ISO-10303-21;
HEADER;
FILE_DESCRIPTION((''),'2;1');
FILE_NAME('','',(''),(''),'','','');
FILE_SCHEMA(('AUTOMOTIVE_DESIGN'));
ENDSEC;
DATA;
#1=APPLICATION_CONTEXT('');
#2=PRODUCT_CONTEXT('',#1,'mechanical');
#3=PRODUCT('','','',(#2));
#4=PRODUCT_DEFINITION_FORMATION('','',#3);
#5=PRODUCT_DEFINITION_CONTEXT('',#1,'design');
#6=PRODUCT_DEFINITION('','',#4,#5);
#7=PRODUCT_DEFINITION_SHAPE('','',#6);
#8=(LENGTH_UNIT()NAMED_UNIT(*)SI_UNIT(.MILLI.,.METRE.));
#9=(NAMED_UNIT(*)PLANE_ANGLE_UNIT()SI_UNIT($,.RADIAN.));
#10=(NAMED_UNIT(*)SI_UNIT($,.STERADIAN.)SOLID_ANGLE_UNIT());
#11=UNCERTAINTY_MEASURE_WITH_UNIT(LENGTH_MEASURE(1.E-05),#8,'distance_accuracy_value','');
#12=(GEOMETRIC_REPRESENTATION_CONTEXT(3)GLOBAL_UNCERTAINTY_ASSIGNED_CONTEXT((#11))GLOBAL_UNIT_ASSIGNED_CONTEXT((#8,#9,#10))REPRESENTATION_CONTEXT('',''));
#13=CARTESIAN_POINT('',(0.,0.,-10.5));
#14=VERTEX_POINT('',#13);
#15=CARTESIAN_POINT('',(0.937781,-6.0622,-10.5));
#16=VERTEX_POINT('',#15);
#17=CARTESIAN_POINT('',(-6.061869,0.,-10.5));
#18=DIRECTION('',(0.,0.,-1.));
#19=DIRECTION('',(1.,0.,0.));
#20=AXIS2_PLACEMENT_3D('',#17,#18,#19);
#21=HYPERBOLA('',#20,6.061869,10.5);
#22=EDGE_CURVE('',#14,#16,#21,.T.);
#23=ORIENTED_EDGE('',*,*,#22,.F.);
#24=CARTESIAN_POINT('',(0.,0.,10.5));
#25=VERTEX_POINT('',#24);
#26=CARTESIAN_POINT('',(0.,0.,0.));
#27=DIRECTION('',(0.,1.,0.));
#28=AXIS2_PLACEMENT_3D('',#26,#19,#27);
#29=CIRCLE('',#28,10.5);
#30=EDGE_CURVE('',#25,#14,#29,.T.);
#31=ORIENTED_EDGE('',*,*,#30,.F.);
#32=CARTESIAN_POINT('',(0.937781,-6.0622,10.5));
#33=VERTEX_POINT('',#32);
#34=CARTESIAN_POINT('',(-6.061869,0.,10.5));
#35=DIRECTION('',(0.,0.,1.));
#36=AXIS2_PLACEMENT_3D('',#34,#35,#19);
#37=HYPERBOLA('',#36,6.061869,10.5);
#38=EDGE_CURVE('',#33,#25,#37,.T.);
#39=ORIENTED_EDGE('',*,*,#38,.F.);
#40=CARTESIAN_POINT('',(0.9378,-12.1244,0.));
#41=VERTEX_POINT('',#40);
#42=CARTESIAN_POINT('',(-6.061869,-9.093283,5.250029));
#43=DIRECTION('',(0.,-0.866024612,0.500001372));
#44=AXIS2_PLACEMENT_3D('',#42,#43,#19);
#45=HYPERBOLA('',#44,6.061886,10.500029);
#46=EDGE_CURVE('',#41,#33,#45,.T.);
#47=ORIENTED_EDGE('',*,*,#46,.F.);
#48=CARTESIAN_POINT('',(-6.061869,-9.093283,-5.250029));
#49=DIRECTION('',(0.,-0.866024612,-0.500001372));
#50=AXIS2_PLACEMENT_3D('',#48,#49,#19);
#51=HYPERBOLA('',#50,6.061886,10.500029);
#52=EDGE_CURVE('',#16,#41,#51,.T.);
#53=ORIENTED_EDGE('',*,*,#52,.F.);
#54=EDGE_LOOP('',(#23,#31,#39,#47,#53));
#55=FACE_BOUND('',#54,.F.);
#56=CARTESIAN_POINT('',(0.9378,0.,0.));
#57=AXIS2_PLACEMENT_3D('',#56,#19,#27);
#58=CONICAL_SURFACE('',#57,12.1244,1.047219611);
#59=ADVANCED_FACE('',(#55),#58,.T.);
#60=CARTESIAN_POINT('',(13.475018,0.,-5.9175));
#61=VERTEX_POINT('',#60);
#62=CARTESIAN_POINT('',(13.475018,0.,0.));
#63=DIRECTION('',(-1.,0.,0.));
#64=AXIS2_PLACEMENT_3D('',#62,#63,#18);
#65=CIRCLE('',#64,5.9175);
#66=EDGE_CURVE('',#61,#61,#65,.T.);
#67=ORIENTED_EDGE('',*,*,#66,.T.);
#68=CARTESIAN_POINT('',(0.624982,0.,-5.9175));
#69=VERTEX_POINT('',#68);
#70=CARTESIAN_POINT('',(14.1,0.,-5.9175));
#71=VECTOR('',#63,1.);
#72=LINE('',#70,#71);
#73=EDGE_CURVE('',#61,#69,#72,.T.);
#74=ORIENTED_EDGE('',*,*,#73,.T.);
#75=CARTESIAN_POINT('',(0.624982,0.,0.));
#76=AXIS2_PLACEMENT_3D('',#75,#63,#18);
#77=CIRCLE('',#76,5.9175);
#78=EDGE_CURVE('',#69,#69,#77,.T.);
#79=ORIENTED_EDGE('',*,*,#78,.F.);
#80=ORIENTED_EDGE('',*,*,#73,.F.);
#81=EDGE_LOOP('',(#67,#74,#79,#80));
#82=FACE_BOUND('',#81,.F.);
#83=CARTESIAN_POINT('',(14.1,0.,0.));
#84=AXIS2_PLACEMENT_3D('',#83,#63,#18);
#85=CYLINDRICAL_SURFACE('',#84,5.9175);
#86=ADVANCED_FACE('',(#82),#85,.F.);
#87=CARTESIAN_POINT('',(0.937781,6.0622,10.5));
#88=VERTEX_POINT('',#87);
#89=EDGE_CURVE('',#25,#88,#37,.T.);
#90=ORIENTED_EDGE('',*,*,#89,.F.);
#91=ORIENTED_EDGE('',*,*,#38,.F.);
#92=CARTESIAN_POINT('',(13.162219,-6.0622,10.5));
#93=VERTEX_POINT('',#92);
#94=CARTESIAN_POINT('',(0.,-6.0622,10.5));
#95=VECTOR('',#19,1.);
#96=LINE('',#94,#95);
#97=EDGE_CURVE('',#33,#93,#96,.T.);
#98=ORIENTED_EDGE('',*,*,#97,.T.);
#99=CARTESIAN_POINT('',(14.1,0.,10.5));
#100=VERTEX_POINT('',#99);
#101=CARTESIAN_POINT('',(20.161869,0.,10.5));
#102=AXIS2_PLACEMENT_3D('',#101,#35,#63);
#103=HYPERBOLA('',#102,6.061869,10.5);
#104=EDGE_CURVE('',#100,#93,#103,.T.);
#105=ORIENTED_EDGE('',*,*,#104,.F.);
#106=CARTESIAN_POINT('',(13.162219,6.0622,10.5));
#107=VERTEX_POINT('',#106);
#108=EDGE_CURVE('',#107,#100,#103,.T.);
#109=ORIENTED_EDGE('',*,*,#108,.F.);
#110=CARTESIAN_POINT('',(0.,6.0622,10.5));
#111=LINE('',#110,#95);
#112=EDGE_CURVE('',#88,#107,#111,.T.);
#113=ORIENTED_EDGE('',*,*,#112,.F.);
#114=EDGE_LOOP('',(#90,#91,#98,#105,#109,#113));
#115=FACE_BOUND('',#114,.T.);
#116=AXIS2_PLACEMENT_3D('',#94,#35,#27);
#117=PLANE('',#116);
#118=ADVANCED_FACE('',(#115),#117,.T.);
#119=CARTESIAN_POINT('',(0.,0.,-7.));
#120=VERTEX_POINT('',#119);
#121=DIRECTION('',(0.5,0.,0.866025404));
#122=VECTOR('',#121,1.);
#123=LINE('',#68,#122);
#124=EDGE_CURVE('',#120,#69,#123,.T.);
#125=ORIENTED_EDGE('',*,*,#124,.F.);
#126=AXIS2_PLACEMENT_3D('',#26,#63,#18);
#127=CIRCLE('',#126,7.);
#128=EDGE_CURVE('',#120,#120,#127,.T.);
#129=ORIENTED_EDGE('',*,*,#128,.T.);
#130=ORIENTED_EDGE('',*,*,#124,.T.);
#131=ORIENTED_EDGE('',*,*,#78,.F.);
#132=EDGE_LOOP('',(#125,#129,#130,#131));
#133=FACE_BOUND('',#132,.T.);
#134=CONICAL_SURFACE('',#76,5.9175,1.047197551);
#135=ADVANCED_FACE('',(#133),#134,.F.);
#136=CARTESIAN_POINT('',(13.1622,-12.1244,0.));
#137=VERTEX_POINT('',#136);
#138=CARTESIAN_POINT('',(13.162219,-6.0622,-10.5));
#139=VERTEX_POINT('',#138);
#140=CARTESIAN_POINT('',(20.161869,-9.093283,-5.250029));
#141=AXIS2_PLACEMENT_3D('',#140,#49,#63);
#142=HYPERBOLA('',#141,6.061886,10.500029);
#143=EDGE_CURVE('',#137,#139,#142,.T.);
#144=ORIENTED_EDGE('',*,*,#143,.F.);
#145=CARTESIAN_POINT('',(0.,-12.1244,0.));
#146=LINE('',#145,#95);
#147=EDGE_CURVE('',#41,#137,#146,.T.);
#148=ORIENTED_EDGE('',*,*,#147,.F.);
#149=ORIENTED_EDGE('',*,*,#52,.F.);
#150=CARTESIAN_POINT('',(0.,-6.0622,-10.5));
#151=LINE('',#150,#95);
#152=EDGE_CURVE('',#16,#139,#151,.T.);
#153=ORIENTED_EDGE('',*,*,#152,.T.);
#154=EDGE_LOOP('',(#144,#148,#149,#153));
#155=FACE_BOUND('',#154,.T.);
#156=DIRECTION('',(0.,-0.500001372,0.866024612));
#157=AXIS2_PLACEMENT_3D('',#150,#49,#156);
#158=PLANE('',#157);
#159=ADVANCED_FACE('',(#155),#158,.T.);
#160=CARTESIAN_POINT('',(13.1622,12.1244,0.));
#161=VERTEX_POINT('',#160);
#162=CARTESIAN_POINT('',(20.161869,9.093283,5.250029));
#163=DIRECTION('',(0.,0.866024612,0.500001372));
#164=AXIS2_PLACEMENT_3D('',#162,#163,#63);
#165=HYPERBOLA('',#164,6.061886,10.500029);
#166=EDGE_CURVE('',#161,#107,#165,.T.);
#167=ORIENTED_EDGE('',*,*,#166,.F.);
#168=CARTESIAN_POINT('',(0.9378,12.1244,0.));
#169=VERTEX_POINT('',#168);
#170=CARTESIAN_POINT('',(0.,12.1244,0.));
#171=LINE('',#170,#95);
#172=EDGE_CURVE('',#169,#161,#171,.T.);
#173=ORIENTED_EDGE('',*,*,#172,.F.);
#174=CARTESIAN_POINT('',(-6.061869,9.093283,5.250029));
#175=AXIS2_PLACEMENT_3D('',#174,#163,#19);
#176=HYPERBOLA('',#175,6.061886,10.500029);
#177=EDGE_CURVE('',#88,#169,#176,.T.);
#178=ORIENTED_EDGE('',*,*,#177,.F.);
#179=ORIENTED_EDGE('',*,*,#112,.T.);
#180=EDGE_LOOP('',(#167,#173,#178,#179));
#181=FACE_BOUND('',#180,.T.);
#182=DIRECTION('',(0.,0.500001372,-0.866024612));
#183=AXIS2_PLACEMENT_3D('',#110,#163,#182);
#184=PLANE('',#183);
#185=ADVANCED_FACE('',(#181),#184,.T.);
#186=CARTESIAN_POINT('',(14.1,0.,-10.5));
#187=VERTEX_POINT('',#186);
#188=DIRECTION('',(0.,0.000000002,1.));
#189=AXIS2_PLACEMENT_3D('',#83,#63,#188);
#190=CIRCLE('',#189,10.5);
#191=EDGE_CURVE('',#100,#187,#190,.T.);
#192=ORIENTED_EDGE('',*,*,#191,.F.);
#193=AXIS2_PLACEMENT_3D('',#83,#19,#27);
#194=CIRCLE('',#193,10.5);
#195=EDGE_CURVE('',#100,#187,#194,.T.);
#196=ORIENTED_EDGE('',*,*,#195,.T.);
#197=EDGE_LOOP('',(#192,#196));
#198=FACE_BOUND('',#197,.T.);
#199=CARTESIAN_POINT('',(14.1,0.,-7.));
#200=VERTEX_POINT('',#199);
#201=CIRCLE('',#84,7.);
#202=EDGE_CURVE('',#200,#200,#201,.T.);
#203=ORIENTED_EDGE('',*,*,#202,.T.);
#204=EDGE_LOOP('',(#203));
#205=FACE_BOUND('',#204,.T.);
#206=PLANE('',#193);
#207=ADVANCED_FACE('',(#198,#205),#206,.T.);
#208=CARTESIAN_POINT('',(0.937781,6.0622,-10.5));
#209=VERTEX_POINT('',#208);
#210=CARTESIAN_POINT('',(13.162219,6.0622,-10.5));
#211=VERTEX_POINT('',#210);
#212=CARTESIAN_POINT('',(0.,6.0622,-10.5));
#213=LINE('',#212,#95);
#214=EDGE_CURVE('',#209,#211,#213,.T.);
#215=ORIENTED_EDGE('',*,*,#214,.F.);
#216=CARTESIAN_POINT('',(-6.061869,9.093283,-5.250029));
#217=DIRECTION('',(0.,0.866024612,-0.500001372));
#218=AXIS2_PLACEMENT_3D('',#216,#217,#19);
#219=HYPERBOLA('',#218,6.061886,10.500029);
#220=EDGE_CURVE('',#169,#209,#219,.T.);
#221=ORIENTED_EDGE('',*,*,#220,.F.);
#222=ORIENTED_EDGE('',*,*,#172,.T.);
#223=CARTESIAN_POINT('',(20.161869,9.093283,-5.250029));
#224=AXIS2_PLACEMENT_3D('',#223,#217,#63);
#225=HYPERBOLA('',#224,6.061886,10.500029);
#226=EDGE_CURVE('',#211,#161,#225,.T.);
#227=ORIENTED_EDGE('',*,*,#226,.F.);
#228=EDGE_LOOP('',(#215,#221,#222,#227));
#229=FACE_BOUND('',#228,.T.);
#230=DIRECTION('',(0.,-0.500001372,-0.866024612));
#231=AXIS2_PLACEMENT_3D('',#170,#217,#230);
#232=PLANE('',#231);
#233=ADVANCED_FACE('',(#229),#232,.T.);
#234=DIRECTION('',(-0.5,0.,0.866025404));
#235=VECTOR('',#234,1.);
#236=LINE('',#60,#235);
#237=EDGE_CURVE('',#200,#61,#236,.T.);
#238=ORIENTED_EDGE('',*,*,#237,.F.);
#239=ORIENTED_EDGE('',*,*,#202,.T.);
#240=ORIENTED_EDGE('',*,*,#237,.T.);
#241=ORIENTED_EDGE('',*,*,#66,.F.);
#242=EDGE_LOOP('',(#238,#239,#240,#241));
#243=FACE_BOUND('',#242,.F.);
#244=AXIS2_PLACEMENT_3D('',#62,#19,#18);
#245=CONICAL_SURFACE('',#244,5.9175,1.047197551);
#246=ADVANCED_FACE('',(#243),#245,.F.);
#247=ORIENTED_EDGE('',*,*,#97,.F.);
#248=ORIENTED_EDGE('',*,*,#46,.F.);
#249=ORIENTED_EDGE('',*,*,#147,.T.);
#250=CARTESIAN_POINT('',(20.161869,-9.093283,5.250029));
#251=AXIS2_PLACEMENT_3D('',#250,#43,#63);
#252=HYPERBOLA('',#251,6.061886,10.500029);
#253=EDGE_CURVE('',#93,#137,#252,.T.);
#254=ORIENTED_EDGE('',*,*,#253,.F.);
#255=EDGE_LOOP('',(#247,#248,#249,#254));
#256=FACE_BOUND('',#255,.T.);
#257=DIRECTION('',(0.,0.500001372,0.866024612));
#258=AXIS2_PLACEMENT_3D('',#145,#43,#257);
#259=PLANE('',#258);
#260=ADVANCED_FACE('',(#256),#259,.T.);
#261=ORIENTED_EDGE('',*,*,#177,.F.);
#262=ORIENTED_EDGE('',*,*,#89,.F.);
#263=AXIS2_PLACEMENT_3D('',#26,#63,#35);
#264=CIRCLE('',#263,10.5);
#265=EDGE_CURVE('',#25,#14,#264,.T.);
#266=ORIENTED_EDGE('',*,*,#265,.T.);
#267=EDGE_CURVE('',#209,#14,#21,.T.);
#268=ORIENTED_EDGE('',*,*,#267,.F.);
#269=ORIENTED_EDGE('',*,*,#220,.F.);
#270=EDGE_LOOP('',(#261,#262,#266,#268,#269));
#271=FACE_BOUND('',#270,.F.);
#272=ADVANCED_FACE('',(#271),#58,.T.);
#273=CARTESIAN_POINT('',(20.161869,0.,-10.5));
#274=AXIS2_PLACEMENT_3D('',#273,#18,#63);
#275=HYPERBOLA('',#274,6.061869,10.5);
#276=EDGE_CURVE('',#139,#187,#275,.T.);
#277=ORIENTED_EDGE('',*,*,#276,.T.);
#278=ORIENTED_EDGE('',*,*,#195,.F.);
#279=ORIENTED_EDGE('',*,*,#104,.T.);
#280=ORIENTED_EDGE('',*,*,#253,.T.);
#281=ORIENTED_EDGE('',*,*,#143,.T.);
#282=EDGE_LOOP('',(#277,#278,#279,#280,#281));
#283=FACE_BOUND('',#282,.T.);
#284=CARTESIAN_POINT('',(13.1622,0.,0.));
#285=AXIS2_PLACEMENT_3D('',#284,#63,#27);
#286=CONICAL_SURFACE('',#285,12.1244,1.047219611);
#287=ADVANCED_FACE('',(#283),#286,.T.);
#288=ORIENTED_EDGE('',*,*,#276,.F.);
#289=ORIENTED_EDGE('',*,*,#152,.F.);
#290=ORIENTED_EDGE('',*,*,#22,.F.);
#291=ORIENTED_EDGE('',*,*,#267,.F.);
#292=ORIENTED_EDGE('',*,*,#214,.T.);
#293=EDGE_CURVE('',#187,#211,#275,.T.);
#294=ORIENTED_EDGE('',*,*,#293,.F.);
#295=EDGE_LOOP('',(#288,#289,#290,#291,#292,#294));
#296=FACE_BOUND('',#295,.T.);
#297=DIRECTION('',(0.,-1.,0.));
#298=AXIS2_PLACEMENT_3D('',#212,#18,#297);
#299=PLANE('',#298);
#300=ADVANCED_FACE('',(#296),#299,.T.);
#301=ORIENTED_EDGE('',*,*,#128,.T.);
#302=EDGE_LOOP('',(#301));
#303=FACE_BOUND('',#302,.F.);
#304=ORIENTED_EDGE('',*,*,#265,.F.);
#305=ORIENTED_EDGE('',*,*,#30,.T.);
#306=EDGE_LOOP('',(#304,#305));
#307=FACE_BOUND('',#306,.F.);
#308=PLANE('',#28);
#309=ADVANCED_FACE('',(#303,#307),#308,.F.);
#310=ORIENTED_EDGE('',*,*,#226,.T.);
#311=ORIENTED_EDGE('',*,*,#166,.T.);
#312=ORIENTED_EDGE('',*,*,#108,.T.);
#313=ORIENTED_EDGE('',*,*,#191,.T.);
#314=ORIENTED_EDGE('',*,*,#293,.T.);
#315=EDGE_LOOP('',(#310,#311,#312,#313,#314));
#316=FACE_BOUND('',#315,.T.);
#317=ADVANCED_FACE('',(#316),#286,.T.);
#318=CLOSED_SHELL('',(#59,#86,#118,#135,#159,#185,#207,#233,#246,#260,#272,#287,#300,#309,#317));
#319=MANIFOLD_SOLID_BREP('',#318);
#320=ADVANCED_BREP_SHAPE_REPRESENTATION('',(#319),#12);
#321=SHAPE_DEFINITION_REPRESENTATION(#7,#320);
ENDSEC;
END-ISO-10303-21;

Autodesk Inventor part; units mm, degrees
ref_plane "YZ Plane" through (0, 0, 0) normal (1, 0, 0) x (0, 1, 0)
ref_plane "XZ Plane" through (0, 0, 0) normal (0, 1, 0) x (-1, 0, 0)
sketch "Sketch1" plane through (0, 0, 0) normal (1, 0, 0) x (0, 1, 0)
  line L0 (-12.1244, 0) -> (-6.0622, 10.5)
  line L1 (-6.0622, 10.5) -> (6.0622, 10.5)
  line L2 (6.0622, 10.5) -> (12.1244, 0)
  line L3 (12.1244, 0) -> (6.0622, -10.5)
  line L4 (6.0622, -10.5) -> (-6.0622, -10.5)
  line L5 (-6.0622, -10.5) -> (-12.1244, 0)
  point P0 (0, 0)
  point P1 (0, 0)
  dimension "d0" = 24.2487
extrude "Body" add sketch "Sketch1" along normal blind 14.1
sketch "Sketch2" plane through (0, 0, 0) normal (0, 0, 1) x (1, 0, 0)
  line L0 (0, 6.0622) -> (0, 12.1244) projected
  line L1 (0, 12.1244) -> (14.1, 12.1244) projected
  line L2 (14.1, 6.0622) -> (14.1, 12.1244) projected
  line L3 (-2.82, 0) -> (16.92, 0) projected
  line L4 (0.9378, 12.1244) -> (0, 10.5)
  line L5 (13.1622, 12.1244) -> (14.1, 10.5)
  dimension "d3" = 30
  dimension "d4" = 30
  dimension "d5" = 21
  dimension "d6" = 21
revolve "Chamfer1" cut sketch "Sketch2" angle 360 about axis through (-10, 0, 0) along (1, 0, 0)
sketch "Sketch3" plane through (14.1, 0, 0) normal (1, 0, 0) x (0, 0, -1)
  arc A0 (-5.25, -9.0933) -> (5.25, -9.0933) centre (0, 0) ccw projected
hole "Thread" at (14.1, 0, 0) direction (-1, 0, 0) diameter 11.835 end through all thread size "M14x2" class "6H" standard "ISO Metric profile"
chamfer "Chamfer2" distance 1.0825 angle 30 1 edges at (14.1, 0, 5.9175) measured on face at (14.1, 8.9198, -0.2378)
chamfer "Chamfer3" distance 1.0825 angle 30 1 edges at (0, 0, 5.9175) measured on face at (0, 8.9198, -0.2378)
ref_plane "Work Plane1" through (-20.9401, 0, 0) normal (0, -0.866, -0.5) x (1, 0, 0)
equation "\"d0\" = 1.1547 * SW"
equation "\"d1\" = KOH"
equation "\"d8\" = -0.5 * GD1 + 0.5 * NND"
equation "\"d40\" = -0.5 * GD1 + 0.5 * NND"
equation "\"d10\" = -0.5 * GD1 + 0.5 * NND"
equation "\"d41\" = -0.5 * GD1 + 0.5 * NND"
equation "\"d3\" = ANG1"
equation "\"d4\" = ANG2"
equation "\"d5\" = SW0"
equation "\"d6\" = SW01"
equation "\"ANG1\" = 30deg"
equation "\"ANG2\" = 30deg"
equation "\"NND\" = 14"
equation "\"KOH\" = 14.1"
equation "\"SW\" = 21"
equation "\"SW0\" = SW"
equation "\"SW01\" = SW"
equation "\"GUL\" = 0.541266 * PTC"
equation "\"THREADDIA\" = 14"
equation "\"TOA\" = 30deg"
equation "\"PTC\" = 2"
equation "\"E0\" = 1.155 * SW"
equation "\"GAL\" = 0.541266 * PTC"
equation "\"GD1\" = 11.834936"
properties part number "ISO 4033 - M14" material "Steel"
